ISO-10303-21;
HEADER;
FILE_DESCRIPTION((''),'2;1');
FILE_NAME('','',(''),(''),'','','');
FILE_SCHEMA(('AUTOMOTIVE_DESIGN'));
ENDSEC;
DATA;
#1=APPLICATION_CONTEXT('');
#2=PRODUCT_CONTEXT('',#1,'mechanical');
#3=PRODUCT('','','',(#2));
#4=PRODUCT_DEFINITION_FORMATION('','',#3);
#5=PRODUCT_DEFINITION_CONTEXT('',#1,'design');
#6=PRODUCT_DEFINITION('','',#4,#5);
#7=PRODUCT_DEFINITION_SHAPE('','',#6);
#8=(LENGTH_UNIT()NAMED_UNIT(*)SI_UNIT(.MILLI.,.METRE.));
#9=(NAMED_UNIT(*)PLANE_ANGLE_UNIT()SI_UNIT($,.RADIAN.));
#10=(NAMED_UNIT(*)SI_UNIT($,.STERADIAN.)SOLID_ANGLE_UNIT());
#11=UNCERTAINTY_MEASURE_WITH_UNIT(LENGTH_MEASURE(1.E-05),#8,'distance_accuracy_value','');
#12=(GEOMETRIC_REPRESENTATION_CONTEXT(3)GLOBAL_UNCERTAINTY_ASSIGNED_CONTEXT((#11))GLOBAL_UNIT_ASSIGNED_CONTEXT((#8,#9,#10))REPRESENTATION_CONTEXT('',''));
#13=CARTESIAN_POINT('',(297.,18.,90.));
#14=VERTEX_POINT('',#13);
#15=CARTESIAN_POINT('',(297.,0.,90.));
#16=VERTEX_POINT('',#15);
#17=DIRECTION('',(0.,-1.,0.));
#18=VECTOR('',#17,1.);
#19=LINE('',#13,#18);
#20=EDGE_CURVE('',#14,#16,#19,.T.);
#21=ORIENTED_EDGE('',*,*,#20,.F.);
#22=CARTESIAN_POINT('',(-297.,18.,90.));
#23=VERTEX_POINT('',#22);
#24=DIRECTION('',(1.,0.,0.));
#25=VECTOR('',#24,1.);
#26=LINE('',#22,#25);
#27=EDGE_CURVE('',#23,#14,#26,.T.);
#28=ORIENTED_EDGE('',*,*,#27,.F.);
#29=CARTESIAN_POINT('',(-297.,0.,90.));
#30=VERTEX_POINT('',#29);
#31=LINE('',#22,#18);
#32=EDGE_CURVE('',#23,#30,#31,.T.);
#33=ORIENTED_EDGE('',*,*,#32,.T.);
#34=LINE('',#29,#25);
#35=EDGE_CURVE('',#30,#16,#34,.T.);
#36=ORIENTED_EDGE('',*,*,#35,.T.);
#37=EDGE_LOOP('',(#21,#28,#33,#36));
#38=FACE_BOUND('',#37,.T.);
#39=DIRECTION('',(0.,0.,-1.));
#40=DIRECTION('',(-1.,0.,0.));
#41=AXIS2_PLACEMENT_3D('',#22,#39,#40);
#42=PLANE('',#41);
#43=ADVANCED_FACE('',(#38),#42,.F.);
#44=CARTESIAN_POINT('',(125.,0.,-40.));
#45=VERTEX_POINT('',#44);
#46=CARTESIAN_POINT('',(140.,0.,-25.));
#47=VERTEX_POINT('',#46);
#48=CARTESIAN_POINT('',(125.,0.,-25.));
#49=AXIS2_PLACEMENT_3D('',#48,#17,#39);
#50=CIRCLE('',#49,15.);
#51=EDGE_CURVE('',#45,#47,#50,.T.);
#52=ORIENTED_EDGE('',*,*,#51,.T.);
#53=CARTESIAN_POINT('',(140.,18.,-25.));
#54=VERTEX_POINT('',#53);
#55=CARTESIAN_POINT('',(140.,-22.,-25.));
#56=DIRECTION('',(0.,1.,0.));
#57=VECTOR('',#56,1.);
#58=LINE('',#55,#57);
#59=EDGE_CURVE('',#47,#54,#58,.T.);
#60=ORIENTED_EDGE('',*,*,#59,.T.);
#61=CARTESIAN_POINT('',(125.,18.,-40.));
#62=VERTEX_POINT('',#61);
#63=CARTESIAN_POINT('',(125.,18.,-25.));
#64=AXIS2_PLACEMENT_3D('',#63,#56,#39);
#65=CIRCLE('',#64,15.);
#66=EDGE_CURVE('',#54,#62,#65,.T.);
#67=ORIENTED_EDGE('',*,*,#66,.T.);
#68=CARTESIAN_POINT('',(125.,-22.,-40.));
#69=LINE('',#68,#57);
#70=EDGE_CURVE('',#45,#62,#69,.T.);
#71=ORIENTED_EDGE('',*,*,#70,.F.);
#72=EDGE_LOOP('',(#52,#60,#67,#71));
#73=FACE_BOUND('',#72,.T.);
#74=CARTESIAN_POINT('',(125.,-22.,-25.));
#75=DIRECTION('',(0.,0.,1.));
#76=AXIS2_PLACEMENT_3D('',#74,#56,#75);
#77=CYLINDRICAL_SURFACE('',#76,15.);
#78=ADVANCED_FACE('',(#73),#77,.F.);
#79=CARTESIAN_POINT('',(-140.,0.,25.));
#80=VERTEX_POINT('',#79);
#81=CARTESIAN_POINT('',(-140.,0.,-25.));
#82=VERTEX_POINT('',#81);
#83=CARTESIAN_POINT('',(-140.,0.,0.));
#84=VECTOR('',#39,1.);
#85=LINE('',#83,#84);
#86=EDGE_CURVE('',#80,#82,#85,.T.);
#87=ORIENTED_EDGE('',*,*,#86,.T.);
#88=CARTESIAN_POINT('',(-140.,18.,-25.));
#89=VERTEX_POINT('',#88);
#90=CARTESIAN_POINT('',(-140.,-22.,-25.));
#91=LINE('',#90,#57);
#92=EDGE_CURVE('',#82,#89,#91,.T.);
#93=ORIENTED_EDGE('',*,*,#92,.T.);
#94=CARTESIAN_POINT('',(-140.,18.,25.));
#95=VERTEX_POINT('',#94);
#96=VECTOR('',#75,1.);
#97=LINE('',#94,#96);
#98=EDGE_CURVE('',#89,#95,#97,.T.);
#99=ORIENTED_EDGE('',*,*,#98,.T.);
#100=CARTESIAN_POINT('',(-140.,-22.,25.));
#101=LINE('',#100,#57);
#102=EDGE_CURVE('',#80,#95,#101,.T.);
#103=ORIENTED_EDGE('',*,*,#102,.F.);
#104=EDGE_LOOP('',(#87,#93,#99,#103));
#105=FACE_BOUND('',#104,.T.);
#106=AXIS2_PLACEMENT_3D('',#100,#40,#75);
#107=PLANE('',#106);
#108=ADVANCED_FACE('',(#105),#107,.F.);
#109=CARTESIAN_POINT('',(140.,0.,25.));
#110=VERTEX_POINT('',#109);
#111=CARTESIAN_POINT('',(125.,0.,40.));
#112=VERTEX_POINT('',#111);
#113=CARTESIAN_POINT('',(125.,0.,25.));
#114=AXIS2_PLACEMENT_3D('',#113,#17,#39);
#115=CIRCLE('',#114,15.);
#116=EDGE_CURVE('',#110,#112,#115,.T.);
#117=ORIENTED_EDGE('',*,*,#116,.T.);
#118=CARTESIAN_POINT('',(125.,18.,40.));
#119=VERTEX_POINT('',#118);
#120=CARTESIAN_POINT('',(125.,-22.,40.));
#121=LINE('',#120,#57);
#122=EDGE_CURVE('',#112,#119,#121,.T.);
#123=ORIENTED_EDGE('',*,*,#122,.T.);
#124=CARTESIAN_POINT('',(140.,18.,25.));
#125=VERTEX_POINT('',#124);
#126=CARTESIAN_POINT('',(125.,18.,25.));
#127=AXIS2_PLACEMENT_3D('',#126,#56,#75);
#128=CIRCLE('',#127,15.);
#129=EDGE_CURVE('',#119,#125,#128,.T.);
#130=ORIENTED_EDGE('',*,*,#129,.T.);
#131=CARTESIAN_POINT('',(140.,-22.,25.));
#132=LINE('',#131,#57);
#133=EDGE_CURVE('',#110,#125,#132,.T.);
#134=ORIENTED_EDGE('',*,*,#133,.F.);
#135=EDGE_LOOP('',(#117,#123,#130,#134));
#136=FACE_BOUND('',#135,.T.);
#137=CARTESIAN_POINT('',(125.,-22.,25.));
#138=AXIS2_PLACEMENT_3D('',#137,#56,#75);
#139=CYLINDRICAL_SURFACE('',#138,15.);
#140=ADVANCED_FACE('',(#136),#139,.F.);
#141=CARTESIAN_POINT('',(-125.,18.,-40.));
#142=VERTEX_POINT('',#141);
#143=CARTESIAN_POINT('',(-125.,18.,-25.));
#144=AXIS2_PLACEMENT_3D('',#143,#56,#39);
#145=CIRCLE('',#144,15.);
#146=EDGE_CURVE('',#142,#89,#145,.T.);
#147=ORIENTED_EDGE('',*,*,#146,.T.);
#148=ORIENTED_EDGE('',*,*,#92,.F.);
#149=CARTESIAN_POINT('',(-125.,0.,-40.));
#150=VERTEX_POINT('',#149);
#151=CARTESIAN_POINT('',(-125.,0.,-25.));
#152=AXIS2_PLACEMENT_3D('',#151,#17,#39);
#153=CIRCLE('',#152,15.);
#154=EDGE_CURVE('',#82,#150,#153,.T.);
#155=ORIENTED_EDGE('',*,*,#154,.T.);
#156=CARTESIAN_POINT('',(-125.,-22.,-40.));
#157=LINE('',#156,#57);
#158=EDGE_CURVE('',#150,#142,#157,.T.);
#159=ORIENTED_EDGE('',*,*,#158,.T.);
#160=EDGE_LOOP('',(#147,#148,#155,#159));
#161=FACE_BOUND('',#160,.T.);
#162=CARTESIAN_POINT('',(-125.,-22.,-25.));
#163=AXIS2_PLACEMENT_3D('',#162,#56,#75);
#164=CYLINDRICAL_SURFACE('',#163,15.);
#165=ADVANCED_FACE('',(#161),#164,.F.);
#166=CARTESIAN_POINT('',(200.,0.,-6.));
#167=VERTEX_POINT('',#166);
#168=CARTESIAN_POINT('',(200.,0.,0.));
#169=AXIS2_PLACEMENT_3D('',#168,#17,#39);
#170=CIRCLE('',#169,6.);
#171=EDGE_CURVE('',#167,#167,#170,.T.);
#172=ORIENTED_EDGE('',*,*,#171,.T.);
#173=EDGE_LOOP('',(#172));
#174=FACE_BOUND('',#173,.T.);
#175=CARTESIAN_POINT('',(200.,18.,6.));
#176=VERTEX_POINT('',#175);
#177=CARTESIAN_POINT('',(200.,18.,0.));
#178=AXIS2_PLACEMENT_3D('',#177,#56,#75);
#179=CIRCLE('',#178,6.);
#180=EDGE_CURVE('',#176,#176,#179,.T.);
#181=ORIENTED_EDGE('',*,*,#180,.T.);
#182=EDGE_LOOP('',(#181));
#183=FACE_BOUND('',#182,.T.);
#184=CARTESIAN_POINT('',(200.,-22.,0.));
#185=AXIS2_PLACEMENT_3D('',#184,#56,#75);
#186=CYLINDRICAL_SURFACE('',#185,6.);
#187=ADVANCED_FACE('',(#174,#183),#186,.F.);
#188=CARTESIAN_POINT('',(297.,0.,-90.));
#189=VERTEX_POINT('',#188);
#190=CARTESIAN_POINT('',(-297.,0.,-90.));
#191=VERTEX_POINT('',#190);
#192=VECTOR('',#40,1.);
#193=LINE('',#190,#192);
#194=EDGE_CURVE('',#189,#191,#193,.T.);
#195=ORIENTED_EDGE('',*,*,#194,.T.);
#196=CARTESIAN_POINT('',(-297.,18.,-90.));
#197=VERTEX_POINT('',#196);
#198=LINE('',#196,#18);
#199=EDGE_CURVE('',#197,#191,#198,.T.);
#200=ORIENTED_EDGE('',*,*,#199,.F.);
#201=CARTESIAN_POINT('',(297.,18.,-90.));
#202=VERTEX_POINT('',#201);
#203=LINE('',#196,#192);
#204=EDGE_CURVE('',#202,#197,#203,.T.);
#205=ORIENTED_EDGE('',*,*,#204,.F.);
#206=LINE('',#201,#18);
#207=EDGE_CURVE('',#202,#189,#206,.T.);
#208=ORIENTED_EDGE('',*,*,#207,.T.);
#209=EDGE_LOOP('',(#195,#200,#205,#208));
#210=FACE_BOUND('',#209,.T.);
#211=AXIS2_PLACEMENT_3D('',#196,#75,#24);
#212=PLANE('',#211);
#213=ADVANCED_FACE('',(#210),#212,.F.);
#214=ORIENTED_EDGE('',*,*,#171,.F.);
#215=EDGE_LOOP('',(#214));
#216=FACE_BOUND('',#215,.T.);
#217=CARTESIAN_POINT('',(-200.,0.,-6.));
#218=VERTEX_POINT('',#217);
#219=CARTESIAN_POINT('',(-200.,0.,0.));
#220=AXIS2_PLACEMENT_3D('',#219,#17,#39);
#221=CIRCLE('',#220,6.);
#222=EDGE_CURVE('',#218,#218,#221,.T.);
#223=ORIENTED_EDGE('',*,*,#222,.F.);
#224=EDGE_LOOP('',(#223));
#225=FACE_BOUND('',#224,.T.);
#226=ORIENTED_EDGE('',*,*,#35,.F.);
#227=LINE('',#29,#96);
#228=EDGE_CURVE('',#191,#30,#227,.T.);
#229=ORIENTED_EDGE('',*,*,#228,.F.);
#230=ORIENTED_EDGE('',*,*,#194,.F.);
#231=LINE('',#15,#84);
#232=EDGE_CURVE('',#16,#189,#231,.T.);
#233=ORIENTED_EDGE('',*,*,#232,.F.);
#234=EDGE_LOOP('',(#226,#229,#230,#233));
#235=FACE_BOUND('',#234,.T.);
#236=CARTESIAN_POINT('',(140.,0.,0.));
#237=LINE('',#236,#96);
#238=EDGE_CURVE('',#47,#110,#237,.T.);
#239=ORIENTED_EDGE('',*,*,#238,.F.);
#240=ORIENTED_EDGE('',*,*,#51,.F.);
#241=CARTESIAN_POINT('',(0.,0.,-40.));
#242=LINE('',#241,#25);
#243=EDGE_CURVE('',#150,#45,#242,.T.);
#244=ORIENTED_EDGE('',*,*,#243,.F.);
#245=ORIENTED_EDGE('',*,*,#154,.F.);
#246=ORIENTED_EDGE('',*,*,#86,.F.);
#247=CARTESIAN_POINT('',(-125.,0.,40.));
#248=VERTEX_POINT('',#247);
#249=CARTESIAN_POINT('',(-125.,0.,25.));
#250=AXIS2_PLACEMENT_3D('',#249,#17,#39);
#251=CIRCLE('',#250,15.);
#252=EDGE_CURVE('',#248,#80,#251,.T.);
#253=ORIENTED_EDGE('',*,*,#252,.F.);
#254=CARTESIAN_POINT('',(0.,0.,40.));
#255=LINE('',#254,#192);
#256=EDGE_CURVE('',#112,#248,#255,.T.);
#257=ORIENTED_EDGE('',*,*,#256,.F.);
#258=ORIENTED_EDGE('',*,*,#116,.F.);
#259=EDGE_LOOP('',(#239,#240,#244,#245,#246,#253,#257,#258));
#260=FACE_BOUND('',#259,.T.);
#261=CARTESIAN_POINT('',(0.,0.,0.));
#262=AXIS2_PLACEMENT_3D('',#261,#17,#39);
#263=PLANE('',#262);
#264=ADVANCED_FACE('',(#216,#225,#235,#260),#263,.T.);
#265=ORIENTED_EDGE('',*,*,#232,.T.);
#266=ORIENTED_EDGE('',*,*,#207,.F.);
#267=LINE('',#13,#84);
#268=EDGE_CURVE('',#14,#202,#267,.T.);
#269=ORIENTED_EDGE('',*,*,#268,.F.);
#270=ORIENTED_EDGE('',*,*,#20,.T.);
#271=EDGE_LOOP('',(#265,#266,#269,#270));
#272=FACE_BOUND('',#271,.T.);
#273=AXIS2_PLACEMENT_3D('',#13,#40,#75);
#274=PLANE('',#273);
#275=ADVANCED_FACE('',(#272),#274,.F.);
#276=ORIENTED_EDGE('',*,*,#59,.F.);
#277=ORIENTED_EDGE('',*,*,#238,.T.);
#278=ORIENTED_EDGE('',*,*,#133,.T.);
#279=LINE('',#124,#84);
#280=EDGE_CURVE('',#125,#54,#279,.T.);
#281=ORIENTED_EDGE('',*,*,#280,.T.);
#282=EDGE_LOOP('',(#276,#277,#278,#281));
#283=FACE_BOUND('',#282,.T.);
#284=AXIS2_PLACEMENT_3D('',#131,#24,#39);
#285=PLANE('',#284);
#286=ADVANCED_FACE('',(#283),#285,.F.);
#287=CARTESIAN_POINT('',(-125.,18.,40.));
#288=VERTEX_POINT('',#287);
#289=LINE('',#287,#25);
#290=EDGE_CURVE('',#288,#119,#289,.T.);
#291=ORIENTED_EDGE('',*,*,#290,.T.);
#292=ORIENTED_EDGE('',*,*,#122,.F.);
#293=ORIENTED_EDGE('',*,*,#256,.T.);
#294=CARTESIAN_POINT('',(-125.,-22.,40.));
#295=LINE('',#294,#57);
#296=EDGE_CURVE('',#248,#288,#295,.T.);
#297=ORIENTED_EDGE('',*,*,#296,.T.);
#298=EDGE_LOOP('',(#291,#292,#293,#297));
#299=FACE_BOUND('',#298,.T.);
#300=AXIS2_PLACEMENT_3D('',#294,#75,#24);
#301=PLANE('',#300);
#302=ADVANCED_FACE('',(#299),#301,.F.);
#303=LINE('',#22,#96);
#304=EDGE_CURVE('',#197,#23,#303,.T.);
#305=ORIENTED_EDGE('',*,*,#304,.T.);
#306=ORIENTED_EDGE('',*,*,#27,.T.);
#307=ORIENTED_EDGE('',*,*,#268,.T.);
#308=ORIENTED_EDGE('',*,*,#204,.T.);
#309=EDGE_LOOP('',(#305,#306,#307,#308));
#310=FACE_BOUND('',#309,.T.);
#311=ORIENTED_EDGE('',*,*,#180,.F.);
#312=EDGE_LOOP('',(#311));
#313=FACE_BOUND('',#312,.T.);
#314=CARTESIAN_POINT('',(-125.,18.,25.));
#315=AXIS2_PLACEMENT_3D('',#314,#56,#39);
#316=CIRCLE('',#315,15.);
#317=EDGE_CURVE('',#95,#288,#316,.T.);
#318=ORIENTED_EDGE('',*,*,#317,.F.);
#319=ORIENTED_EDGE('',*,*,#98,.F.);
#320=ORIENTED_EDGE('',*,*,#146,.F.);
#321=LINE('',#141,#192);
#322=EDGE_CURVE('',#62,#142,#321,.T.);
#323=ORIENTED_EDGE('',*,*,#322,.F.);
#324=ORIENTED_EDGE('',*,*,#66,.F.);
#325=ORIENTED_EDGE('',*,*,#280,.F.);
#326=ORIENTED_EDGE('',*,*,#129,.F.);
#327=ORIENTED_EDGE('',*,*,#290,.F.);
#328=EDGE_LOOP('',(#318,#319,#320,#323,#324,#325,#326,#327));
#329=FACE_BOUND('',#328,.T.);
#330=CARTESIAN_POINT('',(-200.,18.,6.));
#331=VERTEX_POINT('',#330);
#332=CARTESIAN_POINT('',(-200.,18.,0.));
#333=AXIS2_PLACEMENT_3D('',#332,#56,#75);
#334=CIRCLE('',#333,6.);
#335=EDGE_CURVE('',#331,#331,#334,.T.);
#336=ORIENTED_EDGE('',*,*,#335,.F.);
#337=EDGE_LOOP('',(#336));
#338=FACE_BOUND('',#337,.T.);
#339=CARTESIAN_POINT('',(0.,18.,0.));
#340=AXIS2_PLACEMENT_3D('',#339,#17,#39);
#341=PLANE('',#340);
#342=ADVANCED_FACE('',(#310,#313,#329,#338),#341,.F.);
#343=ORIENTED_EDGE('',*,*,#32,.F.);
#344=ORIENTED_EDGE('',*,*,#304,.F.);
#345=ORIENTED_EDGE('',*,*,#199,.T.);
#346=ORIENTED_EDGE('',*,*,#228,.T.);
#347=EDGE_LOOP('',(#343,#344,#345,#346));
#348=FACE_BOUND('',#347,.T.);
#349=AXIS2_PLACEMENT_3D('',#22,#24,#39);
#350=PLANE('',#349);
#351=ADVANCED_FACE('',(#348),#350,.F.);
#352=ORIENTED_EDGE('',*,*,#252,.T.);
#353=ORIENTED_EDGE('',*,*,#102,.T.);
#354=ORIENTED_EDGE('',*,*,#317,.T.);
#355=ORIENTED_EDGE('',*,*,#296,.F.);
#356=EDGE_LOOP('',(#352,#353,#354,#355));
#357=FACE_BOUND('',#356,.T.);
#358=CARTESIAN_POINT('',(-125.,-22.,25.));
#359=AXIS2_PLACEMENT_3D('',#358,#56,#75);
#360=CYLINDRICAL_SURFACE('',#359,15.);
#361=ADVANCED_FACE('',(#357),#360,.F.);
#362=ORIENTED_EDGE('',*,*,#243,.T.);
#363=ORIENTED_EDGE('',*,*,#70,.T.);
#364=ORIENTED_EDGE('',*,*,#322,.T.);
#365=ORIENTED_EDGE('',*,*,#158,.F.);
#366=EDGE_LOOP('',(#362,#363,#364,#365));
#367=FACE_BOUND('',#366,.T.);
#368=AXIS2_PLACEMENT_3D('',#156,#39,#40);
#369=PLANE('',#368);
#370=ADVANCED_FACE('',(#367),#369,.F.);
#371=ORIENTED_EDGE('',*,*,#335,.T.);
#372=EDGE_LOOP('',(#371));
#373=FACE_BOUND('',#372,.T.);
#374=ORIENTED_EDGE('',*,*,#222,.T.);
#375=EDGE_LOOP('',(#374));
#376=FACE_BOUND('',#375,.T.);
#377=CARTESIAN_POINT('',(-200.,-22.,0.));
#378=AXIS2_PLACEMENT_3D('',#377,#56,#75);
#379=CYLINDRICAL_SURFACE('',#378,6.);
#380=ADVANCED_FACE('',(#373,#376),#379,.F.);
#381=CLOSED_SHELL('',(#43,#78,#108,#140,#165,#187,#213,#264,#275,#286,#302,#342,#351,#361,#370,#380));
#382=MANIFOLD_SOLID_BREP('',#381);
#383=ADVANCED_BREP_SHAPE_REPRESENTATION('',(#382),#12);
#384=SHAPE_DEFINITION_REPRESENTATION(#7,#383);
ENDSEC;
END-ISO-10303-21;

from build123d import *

# Parameters (mm, degrees)
SKETCH1_W           = 594
SKETCH1_H           = 180
BOSS_EXTRUDE1_DEPTH = 18
SKETCH2_R           = 6
CUT_EXTRUDE1_DEPTH  = 40


with BuildPart() as part:
    # Sketch1 → Boss-Extrude1 (new body)
    with BuildSketch(Plane(origin=(0, 0, 0), x_dir=(1, 0, 0), z_dir=(0, 1, 0))):
        Rectangle(SKETCH1_W, SKETCH1_H)
    extrude(amount=BOSS_EXTRUDE1_DEPTH)

    # Sketch2 → Cut-Extrude1 (cut)
    with BuildSketch(Plane(origin=(0, 18, 0), x_dir=(1, 0, 0), z_dir=(0, 1, 0))):
        with Locations((-200, 0)):
            Circle(SKETCH2_R)
        with Locations((200, 0)):
            Circle(SKETCH2_R)
        with BuildLine():
            Line((-125, -40), (125, -40))
            ThreePointArc((125, -40), (135.606601718, -35.606601718), (140, -25))
            Line((140, -25), (140, 25))
            ThreePointArc((140, 25), (135.606601718, 35.606601718), (125, 40))
            Line((125, 40), (-125, 40))
            ThreePointArc((-125, 40), (-135.606601718, 35.606601718), (-140, 25))
            Line((-140, 25), (-140, -25))
            ThreePointArc((-140, -25), (-135.606601718, -35.606601718), (-125, -40))
        make_face()
    extrude(amount=-CUT_EXTRUDE1_DEPTH, mode=Mode.SUBTRACT)


solid = part.part
